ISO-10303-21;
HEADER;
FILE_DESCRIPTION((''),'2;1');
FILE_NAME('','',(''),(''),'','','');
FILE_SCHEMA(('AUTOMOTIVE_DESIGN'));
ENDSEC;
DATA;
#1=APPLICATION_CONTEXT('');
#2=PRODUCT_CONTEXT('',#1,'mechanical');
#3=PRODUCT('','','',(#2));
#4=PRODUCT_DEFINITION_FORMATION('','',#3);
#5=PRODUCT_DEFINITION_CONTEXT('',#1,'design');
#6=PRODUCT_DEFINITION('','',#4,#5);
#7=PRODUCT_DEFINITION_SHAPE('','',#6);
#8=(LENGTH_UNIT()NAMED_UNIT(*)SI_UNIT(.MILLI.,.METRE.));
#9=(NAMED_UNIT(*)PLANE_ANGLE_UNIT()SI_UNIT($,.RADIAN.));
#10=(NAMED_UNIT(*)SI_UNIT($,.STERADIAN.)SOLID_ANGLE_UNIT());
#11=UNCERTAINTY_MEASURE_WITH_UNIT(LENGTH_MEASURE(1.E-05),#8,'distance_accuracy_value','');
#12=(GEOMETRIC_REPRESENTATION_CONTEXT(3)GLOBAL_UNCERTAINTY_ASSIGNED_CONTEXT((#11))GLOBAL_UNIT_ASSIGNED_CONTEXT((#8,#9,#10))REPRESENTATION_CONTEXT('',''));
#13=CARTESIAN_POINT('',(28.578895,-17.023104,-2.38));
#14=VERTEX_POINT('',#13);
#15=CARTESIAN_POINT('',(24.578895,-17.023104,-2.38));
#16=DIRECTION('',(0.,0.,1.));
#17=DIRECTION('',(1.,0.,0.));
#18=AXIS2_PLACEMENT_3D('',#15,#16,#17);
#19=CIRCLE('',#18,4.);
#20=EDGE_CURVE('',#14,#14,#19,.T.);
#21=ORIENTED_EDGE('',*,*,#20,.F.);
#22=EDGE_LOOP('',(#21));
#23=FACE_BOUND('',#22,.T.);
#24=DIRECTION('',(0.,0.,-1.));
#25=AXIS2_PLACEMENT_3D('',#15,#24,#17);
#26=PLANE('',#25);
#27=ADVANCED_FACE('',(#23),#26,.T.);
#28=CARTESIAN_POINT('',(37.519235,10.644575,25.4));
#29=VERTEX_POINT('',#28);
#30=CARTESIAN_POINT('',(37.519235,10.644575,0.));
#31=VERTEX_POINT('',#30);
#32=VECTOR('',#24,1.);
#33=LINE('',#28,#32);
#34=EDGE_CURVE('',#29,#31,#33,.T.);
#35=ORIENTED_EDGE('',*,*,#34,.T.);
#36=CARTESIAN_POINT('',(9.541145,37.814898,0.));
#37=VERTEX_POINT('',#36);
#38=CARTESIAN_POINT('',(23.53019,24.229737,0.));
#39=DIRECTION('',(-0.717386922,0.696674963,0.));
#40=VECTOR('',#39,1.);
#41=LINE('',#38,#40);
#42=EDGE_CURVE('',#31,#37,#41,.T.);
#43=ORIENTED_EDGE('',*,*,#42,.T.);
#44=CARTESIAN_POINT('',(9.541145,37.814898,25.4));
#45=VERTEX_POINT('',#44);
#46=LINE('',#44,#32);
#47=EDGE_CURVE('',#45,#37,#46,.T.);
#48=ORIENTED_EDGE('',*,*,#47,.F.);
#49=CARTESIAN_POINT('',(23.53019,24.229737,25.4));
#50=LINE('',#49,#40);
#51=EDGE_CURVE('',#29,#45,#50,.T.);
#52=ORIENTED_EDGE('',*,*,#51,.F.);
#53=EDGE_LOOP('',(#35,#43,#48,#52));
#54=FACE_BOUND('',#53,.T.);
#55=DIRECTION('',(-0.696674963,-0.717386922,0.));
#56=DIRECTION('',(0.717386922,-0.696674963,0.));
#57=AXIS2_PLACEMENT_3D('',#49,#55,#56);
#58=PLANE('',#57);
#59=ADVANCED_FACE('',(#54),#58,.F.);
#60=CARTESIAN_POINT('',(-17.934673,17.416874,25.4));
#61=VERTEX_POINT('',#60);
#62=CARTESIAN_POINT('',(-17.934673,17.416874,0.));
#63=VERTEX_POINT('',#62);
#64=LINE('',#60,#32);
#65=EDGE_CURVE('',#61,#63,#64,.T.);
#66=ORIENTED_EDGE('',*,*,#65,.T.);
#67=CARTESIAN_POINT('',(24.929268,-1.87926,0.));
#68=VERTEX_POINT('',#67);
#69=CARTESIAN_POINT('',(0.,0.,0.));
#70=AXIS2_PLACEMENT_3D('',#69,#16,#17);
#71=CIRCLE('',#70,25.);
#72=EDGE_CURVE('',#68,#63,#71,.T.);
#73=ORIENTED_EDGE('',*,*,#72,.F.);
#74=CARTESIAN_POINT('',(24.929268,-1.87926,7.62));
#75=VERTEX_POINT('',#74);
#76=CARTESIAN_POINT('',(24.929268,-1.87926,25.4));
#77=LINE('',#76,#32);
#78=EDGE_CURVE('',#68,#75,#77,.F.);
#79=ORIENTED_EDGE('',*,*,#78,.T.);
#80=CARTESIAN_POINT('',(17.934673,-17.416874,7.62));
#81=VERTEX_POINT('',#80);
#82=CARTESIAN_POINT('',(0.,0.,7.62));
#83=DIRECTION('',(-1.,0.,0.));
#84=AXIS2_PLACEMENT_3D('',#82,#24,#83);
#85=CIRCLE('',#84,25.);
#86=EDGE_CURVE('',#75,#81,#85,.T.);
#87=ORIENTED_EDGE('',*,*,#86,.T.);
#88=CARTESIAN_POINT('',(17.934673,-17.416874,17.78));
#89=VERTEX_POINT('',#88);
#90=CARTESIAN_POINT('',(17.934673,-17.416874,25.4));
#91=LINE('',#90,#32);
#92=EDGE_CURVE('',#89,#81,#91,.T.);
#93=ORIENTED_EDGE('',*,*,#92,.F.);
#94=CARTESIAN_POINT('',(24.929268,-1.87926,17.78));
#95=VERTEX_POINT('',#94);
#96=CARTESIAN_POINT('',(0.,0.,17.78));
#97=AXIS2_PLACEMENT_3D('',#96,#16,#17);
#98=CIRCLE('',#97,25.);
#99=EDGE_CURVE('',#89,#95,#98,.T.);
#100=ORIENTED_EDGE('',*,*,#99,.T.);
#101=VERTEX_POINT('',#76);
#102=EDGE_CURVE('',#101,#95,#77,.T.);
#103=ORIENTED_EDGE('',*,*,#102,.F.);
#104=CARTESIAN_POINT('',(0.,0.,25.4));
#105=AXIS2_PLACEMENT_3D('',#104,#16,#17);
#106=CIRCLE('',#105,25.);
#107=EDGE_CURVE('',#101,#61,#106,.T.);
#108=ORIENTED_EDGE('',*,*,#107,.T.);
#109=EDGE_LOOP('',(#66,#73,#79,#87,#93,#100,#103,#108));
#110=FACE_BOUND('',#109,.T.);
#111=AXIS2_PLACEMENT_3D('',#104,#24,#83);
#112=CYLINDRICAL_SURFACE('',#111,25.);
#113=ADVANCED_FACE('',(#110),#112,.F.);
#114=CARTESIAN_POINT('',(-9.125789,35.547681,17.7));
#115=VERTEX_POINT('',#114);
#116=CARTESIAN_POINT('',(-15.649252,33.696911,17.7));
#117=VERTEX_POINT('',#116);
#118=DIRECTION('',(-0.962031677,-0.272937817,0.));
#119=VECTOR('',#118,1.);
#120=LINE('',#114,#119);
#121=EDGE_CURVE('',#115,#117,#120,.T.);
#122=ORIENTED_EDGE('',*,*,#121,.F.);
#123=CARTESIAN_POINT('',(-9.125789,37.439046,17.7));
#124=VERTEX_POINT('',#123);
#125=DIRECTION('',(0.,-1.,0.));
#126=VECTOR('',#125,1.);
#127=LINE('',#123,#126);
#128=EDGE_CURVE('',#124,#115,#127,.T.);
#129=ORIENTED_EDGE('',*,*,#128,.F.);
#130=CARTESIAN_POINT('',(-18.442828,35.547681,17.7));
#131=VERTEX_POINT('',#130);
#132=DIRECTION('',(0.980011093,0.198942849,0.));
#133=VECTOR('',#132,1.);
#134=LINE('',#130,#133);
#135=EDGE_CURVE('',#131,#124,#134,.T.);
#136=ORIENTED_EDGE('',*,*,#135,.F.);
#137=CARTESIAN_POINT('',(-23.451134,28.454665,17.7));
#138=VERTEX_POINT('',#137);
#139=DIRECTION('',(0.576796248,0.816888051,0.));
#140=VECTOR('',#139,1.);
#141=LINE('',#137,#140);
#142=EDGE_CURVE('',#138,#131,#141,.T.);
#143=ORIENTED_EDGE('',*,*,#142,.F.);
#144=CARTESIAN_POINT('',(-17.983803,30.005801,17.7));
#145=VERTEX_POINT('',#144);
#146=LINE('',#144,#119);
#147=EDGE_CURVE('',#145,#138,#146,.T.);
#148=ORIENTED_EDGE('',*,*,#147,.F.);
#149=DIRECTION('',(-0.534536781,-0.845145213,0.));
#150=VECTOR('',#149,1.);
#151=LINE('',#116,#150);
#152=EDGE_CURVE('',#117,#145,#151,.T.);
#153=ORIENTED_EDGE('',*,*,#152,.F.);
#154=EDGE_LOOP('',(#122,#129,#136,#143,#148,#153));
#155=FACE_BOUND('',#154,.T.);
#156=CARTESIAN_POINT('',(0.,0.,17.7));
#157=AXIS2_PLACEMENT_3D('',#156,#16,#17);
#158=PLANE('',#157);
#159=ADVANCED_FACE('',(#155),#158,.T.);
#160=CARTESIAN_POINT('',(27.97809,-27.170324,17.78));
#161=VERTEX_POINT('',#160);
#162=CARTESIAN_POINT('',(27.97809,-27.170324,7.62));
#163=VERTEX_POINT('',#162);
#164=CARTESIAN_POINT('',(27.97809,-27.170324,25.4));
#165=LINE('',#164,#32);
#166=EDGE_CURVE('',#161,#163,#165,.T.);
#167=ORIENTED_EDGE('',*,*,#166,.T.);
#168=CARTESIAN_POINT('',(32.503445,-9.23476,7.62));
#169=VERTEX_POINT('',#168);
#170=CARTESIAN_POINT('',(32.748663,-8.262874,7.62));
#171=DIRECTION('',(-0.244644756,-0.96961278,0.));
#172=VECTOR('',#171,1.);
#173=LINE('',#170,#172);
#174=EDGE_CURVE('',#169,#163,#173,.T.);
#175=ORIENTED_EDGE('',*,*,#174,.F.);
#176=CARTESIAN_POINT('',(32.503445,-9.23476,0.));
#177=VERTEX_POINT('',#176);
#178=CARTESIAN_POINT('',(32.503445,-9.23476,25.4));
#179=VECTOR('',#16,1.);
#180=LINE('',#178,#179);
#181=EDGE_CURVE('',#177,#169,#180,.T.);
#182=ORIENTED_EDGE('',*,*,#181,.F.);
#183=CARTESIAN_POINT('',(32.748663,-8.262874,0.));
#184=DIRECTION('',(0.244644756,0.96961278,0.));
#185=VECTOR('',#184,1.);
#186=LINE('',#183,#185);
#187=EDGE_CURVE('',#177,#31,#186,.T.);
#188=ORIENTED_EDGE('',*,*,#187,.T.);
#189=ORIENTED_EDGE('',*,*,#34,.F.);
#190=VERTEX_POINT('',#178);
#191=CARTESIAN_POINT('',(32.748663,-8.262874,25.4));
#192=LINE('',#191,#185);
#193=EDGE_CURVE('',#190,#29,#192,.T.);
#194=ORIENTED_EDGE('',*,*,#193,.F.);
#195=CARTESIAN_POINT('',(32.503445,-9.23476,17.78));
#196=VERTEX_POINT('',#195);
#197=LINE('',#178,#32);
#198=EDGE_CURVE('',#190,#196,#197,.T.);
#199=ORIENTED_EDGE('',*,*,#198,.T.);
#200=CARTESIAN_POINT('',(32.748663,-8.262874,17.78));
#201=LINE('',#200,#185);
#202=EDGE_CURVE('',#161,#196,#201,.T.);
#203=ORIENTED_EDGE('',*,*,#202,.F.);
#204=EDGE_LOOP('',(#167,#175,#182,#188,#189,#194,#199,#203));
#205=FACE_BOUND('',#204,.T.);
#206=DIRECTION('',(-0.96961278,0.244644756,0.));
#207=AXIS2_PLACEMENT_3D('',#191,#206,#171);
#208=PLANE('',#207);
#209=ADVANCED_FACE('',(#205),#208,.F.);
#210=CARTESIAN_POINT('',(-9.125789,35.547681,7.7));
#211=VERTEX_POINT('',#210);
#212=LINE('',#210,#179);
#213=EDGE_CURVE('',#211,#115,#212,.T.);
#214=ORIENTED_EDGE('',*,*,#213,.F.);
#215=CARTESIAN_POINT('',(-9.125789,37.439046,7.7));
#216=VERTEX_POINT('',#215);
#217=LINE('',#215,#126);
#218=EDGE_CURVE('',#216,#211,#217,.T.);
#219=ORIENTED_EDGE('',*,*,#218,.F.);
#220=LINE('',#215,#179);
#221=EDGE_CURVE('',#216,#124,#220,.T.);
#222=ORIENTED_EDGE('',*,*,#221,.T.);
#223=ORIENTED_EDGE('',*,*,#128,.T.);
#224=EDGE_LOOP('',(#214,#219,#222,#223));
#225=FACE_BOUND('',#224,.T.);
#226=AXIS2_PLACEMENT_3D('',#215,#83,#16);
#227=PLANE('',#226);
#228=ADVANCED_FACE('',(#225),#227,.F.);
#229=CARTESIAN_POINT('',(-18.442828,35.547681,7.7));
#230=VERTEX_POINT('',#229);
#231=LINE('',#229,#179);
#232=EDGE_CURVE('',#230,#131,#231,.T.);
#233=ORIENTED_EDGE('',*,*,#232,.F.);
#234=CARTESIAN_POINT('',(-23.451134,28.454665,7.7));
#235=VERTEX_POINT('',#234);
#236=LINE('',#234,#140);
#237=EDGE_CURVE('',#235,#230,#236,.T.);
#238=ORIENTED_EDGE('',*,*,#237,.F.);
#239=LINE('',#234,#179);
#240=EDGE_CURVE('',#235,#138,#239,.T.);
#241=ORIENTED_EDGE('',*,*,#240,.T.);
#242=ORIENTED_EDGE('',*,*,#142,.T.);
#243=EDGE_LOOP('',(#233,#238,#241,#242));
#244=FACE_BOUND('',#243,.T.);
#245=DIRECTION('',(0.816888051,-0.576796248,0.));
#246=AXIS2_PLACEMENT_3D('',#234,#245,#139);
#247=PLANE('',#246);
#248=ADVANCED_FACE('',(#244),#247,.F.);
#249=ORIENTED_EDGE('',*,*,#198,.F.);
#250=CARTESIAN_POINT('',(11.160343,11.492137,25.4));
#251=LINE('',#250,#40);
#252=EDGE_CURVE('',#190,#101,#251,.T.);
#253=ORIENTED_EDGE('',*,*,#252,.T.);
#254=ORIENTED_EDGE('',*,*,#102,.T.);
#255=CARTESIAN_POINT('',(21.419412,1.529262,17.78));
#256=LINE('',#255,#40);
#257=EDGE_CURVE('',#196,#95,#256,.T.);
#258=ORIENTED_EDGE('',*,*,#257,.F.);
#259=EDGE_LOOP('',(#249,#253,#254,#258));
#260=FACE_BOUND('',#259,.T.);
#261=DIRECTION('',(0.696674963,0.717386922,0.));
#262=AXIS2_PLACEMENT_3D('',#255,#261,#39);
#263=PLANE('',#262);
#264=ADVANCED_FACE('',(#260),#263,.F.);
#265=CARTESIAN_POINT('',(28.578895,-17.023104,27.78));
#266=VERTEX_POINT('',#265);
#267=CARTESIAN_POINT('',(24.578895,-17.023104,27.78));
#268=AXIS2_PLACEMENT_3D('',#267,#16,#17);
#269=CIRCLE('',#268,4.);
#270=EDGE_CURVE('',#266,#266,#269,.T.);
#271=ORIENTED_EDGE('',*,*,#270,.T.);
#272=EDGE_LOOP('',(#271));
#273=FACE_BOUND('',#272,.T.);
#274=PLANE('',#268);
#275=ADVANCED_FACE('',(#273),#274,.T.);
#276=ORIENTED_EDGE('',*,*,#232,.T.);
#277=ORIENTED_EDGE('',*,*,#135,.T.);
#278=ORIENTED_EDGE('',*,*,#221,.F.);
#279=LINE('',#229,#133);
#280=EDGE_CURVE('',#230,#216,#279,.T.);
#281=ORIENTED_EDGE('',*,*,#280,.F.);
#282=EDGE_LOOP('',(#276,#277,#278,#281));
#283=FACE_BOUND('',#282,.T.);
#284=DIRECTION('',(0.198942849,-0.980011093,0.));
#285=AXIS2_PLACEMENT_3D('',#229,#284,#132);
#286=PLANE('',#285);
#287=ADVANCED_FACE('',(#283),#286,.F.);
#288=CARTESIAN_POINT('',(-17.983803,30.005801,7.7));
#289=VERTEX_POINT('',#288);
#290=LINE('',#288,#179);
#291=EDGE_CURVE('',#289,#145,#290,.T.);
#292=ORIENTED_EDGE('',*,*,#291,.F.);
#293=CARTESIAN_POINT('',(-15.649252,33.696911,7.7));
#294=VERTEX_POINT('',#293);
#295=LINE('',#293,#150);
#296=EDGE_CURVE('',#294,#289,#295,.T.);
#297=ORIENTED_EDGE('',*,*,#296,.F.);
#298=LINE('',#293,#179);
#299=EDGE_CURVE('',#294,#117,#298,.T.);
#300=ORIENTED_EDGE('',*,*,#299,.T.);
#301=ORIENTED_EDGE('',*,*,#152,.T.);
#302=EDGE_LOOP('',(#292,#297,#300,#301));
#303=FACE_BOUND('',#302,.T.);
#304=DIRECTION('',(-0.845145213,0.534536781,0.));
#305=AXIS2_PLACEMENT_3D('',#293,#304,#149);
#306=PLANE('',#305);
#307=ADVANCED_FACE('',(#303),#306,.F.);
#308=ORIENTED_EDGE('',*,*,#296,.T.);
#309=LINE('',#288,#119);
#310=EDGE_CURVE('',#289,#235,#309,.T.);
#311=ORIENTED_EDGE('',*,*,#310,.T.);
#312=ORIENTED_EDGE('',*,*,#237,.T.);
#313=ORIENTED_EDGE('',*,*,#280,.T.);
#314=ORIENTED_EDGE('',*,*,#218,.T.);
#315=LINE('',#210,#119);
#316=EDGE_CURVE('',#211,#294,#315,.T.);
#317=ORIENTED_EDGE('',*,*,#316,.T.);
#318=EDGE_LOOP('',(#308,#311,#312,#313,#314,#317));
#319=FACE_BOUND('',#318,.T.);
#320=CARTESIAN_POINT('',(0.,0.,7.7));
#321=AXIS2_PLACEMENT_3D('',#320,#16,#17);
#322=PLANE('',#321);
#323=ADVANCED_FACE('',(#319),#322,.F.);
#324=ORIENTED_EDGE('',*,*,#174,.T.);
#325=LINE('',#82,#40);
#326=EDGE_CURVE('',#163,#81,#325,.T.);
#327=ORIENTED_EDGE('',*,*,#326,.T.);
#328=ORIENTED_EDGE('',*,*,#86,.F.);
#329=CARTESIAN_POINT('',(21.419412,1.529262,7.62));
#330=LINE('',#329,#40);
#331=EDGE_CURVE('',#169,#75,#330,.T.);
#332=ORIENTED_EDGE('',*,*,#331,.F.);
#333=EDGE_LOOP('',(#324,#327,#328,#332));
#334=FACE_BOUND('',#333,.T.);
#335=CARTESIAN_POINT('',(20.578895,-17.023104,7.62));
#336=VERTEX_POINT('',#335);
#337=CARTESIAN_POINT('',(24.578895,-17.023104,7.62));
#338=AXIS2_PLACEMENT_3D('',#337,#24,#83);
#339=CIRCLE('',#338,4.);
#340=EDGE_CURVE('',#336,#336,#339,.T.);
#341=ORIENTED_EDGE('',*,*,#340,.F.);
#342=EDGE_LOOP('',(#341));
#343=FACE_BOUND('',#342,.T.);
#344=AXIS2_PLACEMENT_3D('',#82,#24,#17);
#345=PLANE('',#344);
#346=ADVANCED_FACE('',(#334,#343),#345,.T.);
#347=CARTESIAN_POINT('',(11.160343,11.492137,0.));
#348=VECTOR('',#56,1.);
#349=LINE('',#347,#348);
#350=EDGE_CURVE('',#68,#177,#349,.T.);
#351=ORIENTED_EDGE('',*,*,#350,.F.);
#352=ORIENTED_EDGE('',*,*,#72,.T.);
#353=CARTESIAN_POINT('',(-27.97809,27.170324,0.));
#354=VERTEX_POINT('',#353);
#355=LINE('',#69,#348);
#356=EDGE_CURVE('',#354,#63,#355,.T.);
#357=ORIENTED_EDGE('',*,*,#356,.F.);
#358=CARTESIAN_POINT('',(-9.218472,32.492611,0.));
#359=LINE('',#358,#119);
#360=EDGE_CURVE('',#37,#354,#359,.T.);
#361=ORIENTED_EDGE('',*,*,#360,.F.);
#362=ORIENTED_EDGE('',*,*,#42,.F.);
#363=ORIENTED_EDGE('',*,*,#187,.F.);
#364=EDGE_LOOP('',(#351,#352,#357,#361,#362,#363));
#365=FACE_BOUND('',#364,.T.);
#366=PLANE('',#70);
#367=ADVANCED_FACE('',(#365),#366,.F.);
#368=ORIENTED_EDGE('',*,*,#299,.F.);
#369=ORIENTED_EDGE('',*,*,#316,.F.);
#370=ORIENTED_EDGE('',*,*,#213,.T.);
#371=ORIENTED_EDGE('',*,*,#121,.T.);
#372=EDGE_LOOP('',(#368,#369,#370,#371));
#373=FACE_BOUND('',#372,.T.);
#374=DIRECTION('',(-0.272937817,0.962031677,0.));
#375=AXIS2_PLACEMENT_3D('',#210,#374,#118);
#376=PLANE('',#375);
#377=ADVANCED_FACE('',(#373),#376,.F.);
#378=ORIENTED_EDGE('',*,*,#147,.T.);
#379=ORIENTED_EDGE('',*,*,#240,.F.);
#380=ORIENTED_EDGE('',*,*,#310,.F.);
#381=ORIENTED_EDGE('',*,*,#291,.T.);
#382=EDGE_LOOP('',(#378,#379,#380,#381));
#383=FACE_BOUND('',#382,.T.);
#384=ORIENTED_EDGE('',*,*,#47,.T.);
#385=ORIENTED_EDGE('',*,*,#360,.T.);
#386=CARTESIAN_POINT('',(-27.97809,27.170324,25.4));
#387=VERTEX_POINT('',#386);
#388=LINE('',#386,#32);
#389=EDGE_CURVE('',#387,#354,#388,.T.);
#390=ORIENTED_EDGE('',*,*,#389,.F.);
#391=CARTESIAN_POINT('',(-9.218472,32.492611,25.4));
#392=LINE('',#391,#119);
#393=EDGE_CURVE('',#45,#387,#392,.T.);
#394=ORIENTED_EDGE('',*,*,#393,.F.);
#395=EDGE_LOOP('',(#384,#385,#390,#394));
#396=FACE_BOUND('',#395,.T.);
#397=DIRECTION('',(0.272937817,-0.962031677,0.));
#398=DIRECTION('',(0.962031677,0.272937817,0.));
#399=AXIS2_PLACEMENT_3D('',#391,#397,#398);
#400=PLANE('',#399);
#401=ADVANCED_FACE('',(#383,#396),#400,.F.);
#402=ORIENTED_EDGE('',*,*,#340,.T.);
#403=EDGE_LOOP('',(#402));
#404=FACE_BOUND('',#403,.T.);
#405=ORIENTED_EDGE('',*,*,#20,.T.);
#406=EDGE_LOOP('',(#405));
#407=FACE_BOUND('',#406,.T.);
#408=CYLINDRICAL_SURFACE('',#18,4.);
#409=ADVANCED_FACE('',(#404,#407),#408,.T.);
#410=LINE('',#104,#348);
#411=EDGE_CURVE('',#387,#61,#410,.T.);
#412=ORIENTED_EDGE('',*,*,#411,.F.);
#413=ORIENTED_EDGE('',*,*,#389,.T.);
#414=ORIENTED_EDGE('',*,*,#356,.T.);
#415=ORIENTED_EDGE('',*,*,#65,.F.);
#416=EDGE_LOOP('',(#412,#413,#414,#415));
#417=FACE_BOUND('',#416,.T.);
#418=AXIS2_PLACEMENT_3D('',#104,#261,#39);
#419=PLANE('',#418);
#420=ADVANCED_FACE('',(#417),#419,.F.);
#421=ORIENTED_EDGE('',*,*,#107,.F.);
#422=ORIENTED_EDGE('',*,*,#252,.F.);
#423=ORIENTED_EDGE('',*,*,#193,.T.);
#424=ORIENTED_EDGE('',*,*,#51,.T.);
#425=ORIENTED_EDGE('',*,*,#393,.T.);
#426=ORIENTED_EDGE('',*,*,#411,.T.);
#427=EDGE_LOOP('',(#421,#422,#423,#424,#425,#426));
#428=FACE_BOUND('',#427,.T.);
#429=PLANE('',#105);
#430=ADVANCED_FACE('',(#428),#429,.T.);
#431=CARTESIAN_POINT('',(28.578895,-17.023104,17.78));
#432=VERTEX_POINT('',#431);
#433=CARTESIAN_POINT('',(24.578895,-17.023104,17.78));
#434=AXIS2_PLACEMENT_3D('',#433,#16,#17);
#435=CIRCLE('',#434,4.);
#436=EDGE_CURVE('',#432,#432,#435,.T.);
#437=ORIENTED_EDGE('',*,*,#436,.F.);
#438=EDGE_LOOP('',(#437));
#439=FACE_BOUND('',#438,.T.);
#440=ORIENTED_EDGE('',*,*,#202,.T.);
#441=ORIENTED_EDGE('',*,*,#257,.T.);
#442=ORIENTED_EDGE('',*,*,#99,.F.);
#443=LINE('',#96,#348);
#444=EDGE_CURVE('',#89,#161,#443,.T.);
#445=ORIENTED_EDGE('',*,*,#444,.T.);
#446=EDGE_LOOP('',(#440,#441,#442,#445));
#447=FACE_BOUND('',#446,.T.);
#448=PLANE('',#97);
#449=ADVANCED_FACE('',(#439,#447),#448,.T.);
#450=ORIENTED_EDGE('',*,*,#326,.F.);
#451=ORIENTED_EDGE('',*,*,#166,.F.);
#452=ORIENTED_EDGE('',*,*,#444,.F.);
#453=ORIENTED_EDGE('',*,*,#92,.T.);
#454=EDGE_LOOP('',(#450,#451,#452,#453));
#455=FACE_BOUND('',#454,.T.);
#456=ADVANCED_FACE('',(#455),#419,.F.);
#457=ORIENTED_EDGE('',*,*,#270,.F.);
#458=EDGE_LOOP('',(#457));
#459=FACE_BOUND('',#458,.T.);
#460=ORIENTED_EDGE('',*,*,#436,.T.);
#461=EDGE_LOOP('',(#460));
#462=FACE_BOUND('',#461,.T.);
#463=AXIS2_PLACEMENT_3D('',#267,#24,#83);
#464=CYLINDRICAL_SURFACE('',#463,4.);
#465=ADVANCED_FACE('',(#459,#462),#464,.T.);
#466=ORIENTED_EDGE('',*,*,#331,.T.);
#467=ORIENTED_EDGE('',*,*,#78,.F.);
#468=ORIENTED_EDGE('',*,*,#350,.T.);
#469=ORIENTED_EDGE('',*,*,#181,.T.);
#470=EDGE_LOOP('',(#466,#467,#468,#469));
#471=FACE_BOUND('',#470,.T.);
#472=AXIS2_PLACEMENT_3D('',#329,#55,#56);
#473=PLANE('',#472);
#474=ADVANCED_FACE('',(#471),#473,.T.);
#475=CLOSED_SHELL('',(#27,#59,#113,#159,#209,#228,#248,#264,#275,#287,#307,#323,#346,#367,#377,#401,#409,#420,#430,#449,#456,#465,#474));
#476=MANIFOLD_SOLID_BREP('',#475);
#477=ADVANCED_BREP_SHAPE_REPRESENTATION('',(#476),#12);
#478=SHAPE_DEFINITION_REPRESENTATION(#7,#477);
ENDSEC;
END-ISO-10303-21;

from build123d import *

# Parameters (mm, degrees)
BOSS_EXTRUDE1_DEPTH = 25.4
CUT_EXTRUDE1_DEPTH  = 7.62
SKETCH3_R           = 4
BOSS_EXTRUDE2_DEPTH = 10
BOSS_EXTRUDE3_DEPTH = 5


with BuildPart() as part:
    # Sketch1 → Boss-Extrude1 (new body)
    with BuildSketch(Plane.XY):
        with BuildLine():
            Line((9.541145468, 37.814898429), (-27.978089947, 27.17032357))
            Line((-27.978089947, 27.17032357), (-17.934673043, 17.416874084))
            ThreePointArc((-17.934673043, 17.416874084), (17.416874084, 17.934673043), (17.934673043, -17.416874084))
            Line((17.934673043, -17.416874084), (27.978089947, -27.17032357))
            Line((27.978089947, -27.17032357), (37.519235415, 10.644574858))
            Line((37.519235415, 10.644574858), (9.541145468, 37.814898429))
        make_face()
    extrude(amount=BOSS_EXTRUDE1_DEPTH)

    # Sketch2 → Cut-Extrude1 (cut)
    with BuildSketch(Plane.XY.offset(25.4)):
        Polygon((21.419411921, 1.52926165), (45.089583043, -21.457518704), (5.352657375, -38.695482799), align=None)
    cut_extrude1 = extrude(amount=-CUT_EXTRUDE1_DEPTH, mode=Mode.SUBTRACT)

    # Sketch3 → Boss-Extrude2 (add)
    with BuildSketch(Plane.XY.offset(17.78)):
        with Locations((24.578895169, -17.023104028)):
            Circle(SKETCH3_R)
    boss_extrude2 = extrude(amount=BOSS_EXTRUDE2_DEPTH)

    # Mirror1: Cut-Extrude1, Boss-Extrude2 across plane
    add(cut_extrude1.mirror(Plane(origin=(0, 0, 12.7), x_dir=(1, 0, 0), z_dir=(0, 0, -1))), mode=Mode.SUBTRACT)
    add(boss_extrude2.mirror(Plane(origin=(0, 0, 12.7), x_dir=(1, 0, 0), z_dir=(0, 0, -1))))

    # Sketch4 → Boss-Extrude3 (add, symmetric)
    with BuildSketch(Plane(origin=(0, 0, 12.7), x_dir=(-1, 0, 0), z_dir=(0, 0, -1))):
        Polygon((23.45113357, 28.454665469), (18.442827964, 35.547681457), (9.125788769, 37.439046087), (9.125788769, 35.547681457), (15.649252306, 33.696910907), (17.983802714, 30.005800825), align=None)
    extrude(amount=BOSS_EXTRUDE3_DEPTH, both=True)


solid = part.part
